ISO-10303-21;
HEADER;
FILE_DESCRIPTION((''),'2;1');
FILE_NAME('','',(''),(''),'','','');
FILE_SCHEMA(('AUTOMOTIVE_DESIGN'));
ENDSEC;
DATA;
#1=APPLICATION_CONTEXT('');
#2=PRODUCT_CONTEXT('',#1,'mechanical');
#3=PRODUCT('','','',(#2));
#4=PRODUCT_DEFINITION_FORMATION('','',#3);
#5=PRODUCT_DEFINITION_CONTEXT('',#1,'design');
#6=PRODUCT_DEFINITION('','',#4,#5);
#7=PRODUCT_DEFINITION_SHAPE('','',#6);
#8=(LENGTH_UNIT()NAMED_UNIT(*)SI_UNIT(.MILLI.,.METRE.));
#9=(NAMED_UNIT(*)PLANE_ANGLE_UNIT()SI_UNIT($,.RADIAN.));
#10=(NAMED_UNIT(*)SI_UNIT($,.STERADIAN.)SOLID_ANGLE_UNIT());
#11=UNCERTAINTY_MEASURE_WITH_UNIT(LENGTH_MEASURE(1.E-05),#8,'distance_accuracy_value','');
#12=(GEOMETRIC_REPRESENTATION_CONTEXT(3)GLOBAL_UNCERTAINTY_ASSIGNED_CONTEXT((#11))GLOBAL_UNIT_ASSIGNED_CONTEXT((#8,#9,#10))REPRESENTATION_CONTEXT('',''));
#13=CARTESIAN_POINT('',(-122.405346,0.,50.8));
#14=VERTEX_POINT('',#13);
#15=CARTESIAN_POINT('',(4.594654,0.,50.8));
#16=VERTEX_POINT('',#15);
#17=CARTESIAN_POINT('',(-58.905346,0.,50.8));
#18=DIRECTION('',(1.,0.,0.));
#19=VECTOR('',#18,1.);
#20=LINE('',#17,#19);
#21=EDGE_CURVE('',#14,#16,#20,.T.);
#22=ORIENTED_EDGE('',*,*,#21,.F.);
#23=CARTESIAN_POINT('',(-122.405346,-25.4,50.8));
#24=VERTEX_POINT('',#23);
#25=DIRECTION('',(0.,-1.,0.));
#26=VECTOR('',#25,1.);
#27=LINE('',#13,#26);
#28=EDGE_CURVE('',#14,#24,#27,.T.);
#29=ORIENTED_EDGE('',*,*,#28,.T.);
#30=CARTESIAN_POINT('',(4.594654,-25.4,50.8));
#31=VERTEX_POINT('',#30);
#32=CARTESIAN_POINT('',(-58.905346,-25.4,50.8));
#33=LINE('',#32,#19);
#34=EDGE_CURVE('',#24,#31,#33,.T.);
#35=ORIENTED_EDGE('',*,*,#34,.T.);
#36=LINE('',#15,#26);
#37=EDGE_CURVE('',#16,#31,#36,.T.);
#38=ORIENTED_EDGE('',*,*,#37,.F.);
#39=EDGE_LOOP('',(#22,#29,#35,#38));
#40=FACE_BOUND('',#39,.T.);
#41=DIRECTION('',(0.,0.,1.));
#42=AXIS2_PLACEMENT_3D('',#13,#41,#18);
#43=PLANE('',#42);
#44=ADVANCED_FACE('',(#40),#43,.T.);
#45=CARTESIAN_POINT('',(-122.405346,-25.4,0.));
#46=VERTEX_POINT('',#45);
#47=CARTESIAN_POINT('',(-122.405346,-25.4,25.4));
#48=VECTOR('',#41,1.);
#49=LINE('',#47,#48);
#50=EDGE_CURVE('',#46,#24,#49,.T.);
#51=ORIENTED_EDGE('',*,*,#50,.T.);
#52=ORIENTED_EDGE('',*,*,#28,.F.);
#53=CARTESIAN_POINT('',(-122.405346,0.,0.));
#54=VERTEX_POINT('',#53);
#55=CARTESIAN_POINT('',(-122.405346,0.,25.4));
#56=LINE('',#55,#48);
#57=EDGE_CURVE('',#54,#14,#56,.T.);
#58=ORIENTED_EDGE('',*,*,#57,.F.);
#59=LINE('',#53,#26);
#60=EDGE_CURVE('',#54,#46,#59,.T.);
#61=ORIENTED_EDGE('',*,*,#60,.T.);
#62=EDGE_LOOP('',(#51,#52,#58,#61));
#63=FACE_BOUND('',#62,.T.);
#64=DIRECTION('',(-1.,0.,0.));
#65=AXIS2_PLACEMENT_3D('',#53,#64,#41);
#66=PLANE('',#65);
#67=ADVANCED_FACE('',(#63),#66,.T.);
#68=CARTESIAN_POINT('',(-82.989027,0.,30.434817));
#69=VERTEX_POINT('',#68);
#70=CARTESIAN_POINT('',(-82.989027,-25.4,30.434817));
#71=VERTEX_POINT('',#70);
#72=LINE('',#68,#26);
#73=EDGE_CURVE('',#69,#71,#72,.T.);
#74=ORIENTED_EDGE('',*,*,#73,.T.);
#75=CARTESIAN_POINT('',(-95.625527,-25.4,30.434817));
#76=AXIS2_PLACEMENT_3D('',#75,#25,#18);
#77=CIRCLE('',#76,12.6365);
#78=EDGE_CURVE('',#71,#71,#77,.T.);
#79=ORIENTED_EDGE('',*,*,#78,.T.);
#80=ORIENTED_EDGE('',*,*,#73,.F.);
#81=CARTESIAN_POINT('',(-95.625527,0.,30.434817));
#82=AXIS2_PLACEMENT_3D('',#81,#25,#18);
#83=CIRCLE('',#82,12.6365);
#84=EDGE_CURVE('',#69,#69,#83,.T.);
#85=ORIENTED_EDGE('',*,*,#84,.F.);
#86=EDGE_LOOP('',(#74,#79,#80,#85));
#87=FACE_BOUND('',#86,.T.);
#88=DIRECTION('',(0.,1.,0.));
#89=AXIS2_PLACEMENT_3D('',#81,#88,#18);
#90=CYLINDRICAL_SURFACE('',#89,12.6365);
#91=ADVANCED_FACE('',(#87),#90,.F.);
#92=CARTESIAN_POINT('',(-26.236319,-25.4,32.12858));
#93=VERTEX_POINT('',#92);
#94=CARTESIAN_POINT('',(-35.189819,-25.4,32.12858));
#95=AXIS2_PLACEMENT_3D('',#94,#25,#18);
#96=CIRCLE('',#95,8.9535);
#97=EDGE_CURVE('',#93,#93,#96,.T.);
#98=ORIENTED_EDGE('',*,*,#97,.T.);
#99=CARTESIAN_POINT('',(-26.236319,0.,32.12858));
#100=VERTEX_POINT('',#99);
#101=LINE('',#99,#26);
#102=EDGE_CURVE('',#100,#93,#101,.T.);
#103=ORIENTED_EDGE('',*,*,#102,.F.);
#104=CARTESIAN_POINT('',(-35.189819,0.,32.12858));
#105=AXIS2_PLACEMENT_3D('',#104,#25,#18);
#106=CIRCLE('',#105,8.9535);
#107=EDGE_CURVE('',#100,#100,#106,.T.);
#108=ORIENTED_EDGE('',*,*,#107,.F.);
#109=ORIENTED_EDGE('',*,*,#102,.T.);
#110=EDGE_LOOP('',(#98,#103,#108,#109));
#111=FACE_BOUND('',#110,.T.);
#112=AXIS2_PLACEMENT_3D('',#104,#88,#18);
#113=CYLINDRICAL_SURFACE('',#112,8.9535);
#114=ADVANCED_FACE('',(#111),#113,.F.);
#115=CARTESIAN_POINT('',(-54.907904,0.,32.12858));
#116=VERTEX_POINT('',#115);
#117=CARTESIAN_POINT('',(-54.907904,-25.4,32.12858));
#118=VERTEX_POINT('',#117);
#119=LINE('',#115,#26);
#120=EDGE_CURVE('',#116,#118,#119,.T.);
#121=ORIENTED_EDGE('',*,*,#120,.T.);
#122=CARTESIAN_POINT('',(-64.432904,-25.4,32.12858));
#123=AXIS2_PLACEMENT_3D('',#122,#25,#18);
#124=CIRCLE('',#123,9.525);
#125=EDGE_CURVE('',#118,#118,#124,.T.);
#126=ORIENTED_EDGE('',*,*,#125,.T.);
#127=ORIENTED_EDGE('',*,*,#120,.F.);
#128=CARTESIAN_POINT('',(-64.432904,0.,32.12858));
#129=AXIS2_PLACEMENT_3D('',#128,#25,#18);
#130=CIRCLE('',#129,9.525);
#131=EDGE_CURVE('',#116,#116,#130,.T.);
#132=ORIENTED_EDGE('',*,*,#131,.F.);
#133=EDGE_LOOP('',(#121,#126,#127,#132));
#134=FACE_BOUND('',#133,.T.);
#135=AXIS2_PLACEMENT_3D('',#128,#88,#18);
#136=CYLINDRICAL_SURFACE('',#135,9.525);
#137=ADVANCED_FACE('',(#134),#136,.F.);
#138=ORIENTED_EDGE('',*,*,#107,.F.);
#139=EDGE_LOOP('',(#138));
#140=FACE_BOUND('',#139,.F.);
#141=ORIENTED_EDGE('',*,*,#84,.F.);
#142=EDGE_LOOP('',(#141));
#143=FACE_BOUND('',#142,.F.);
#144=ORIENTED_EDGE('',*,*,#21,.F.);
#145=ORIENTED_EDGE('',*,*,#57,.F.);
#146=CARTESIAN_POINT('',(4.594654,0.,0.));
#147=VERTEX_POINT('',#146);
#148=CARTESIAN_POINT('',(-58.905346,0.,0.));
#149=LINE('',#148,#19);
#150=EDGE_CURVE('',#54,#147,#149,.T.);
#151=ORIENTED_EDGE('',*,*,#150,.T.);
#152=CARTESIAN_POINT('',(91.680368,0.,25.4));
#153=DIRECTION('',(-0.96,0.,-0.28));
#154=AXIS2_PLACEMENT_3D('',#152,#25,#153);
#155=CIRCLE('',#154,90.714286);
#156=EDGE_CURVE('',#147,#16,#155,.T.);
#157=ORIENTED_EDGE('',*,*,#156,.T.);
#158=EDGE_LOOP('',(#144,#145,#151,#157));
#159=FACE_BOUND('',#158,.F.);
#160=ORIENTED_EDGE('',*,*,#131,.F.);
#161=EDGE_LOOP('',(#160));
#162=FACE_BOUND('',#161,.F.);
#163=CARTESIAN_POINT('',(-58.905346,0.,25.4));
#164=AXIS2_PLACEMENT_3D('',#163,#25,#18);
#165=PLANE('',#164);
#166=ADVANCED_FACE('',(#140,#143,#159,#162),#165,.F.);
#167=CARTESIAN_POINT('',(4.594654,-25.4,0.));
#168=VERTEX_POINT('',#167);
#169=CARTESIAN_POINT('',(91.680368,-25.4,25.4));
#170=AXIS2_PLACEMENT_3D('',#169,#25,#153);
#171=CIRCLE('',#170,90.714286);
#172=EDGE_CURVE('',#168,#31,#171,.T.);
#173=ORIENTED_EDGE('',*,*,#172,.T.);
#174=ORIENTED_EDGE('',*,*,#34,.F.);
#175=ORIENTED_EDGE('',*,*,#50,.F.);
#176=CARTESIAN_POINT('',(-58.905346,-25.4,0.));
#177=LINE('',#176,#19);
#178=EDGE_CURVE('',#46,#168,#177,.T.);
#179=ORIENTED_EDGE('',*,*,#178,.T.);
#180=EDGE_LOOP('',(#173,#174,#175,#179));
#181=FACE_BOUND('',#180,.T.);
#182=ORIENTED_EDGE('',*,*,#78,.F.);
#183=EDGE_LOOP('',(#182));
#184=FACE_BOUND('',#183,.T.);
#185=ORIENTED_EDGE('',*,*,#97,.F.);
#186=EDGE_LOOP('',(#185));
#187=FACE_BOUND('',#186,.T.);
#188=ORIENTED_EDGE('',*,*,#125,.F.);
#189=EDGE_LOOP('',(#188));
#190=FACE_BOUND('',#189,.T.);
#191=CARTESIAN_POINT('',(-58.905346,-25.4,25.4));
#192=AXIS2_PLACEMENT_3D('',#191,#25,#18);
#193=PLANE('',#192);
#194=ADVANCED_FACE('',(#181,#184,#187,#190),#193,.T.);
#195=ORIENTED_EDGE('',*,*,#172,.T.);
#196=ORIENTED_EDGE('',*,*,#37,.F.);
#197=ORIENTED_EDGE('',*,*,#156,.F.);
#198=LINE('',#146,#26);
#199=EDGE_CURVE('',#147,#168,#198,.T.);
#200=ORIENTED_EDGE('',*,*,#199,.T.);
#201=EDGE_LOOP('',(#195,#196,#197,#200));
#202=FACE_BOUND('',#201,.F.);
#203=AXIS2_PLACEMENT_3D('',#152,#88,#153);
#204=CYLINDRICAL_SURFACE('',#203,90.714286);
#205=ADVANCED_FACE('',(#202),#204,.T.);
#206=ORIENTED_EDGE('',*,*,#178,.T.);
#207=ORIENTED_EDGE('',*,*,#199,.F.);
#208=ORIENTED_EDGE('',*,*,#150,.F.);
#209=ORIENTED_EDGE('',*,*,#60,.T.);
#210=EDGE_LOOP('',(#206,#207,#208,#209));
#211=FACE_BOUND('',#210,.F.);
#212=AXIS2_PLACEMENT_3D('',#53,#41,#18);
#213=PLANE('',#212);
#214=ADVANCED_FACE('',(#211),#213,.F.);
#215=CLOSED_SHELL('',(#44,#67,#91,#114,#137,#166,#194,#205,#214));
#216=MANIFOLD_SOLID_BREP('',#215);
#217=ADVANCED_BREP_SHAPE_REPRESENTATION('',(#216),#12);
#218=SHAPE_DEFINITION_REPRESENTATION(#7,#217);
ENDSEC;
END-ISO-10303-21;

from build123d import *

# Parameters (mm, degrees)
F0_W     = 127
F0_H     = 50.8
F0_R     = 12.6365
F0_R_2   = 9.525
F0_R_3   = 8.9535
F1_DEPTH = 25.4


with BuildPart() as f1:
    # F0 (on Front) → F1 (new body)
    with BuildSketch(Plane.XZ):
        with Locations((-58.905346, 25.4)):
            Rectangle(F0_W, F0_H)
        with Locations((-95.625527, 30.434817)):
            Circle(F0_R, mode=Mode.SUBTRACT)
        with Locations((-64.432904, 32.12858)):
            Circle(F0_R_2, mode=Mode.SUBTRACT)
        with Locations((-35.189819, 32.12858)):
            Circle(F0_R_3, mode=Mode.SUBTRACT)
        with BuildLine():
            ThreePointArc((4.594654, 0), (182.394654, 25.4), (4.594654, 50.8))
            Line((4.594654, 50.8), (4.594654, 0))
        make_face()
    extrude(amount=F1_DEPTH)


solid = f1.part
